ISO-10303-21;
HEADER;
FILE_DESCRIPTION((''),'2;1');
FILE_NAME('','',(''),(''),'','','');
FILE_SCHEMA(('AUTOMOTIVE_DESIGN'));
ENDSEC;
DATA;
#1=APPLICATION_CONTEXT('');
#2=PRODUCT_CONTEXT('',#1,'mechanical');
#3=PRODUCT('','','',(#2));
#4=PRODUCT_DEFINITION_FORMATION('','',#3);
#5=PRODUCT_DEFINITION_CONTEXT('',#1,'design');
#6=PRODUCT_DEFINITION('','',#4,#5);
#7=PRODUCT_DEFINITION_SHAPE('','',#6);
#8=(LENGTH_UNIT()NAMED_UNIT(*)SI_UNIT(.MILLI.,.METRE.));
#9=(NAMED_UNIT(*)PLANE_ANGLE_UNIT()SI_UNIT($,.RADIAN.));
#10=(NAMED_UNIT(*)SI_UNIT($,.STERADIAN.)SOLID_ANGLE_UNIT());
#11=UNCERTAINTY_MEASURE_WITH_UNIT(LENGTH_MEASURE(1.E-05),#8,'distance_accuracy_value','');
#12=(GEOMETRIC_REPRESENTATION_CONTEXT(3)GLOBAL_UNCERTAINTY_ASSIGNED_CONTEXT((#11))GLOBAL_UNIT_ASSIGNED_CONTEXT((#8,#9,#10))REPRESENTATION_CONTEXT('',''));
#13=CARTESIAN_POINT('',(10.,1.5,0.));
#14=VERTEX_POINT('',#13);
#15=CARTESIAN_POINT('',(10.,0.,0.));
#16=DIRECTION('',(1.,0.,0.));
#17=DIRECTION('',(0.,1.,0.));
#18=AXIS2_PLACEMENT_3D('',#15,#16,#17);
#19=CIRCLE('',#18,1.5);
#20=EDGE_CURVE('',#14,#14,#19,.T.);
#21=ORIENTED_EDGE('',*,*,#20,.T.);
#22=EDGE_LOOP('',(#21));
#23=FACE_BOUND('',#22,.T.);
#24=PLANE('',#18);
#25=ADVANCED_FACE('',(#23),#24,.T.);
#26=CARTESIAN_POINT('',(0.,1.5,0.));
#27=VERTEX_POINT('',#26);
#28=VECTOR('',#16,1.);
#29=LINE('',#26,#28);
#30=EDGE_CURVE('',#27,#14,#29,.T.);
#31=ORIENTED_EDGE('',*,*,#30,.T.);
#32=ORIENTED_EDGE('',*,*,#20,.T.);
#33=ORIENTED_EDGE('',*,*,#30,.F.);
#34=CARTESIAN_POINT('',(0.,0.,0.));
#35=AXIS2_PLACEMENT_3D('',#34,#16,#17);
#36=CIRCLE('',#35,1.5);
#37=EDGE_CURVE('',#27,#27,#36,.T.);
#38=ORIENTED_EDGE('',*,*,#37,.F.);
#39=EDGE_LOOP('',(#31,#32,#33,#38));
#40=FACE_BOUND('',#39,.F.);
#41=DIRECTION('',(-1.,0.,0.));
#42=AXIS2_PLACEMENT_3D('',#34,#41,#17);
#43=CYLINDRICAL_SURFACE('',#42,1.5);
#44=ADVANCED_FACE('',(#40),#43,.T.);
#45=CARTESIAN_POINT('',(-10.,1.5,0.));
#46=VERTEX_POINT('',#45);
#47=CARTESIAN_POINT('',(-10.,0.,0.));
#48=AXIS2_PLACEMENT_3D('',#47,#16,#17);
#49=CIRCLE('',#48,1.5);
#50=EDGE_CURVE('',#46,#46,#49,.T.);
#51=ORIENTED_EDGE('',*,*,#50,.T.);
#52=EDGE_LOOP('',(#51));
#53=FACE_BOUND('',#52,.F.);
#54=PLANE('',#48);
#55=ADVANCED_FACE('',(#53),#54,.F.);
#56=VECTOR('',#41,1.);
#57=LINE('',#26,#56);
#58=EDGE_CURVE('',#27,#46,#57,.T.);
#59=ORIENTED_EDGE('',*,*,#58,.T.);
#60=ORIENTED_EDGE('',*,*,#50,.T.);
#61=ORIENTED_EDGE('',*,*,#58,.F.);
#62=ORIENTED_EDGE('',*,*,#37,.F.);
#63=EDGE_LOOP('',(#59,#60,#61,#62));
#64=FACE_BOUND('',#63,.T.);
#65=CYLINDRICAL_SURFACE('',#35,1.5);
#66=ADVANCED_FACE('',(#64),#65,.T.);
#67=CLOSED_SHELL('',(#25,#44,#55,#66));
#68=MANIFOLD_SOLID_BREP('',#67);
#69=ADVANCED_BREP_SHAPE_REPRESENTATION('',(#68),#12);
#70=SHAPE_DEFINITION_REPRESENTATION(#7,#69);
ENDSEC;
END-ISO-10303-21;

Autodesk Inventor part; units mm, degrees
ref_plane "YZ Plane" through (0, 0, 0) normal (1, 0, 0) x (0, 1, 0)
ref_plane "XZ Plane" through (0, 0, 0) normal (0, 1, 0) x (-1, 0, 0)
ref_plane "XY Plane" through (0, 0, 0) normal (0, 0, 1) x (1, 0, 0)
sketch "Sketch3" plane through (0, 0, 0) normal (1, 0, 0) x (0, 1, 0)
  circle A0 centre (0, 0) radius 1.5
  dimension "d8" = 3
extrude "Extrusion3" add sketch "Sketch3" along normal mid plane 20
properties part number "Conrod" material "Acero, carbono"
